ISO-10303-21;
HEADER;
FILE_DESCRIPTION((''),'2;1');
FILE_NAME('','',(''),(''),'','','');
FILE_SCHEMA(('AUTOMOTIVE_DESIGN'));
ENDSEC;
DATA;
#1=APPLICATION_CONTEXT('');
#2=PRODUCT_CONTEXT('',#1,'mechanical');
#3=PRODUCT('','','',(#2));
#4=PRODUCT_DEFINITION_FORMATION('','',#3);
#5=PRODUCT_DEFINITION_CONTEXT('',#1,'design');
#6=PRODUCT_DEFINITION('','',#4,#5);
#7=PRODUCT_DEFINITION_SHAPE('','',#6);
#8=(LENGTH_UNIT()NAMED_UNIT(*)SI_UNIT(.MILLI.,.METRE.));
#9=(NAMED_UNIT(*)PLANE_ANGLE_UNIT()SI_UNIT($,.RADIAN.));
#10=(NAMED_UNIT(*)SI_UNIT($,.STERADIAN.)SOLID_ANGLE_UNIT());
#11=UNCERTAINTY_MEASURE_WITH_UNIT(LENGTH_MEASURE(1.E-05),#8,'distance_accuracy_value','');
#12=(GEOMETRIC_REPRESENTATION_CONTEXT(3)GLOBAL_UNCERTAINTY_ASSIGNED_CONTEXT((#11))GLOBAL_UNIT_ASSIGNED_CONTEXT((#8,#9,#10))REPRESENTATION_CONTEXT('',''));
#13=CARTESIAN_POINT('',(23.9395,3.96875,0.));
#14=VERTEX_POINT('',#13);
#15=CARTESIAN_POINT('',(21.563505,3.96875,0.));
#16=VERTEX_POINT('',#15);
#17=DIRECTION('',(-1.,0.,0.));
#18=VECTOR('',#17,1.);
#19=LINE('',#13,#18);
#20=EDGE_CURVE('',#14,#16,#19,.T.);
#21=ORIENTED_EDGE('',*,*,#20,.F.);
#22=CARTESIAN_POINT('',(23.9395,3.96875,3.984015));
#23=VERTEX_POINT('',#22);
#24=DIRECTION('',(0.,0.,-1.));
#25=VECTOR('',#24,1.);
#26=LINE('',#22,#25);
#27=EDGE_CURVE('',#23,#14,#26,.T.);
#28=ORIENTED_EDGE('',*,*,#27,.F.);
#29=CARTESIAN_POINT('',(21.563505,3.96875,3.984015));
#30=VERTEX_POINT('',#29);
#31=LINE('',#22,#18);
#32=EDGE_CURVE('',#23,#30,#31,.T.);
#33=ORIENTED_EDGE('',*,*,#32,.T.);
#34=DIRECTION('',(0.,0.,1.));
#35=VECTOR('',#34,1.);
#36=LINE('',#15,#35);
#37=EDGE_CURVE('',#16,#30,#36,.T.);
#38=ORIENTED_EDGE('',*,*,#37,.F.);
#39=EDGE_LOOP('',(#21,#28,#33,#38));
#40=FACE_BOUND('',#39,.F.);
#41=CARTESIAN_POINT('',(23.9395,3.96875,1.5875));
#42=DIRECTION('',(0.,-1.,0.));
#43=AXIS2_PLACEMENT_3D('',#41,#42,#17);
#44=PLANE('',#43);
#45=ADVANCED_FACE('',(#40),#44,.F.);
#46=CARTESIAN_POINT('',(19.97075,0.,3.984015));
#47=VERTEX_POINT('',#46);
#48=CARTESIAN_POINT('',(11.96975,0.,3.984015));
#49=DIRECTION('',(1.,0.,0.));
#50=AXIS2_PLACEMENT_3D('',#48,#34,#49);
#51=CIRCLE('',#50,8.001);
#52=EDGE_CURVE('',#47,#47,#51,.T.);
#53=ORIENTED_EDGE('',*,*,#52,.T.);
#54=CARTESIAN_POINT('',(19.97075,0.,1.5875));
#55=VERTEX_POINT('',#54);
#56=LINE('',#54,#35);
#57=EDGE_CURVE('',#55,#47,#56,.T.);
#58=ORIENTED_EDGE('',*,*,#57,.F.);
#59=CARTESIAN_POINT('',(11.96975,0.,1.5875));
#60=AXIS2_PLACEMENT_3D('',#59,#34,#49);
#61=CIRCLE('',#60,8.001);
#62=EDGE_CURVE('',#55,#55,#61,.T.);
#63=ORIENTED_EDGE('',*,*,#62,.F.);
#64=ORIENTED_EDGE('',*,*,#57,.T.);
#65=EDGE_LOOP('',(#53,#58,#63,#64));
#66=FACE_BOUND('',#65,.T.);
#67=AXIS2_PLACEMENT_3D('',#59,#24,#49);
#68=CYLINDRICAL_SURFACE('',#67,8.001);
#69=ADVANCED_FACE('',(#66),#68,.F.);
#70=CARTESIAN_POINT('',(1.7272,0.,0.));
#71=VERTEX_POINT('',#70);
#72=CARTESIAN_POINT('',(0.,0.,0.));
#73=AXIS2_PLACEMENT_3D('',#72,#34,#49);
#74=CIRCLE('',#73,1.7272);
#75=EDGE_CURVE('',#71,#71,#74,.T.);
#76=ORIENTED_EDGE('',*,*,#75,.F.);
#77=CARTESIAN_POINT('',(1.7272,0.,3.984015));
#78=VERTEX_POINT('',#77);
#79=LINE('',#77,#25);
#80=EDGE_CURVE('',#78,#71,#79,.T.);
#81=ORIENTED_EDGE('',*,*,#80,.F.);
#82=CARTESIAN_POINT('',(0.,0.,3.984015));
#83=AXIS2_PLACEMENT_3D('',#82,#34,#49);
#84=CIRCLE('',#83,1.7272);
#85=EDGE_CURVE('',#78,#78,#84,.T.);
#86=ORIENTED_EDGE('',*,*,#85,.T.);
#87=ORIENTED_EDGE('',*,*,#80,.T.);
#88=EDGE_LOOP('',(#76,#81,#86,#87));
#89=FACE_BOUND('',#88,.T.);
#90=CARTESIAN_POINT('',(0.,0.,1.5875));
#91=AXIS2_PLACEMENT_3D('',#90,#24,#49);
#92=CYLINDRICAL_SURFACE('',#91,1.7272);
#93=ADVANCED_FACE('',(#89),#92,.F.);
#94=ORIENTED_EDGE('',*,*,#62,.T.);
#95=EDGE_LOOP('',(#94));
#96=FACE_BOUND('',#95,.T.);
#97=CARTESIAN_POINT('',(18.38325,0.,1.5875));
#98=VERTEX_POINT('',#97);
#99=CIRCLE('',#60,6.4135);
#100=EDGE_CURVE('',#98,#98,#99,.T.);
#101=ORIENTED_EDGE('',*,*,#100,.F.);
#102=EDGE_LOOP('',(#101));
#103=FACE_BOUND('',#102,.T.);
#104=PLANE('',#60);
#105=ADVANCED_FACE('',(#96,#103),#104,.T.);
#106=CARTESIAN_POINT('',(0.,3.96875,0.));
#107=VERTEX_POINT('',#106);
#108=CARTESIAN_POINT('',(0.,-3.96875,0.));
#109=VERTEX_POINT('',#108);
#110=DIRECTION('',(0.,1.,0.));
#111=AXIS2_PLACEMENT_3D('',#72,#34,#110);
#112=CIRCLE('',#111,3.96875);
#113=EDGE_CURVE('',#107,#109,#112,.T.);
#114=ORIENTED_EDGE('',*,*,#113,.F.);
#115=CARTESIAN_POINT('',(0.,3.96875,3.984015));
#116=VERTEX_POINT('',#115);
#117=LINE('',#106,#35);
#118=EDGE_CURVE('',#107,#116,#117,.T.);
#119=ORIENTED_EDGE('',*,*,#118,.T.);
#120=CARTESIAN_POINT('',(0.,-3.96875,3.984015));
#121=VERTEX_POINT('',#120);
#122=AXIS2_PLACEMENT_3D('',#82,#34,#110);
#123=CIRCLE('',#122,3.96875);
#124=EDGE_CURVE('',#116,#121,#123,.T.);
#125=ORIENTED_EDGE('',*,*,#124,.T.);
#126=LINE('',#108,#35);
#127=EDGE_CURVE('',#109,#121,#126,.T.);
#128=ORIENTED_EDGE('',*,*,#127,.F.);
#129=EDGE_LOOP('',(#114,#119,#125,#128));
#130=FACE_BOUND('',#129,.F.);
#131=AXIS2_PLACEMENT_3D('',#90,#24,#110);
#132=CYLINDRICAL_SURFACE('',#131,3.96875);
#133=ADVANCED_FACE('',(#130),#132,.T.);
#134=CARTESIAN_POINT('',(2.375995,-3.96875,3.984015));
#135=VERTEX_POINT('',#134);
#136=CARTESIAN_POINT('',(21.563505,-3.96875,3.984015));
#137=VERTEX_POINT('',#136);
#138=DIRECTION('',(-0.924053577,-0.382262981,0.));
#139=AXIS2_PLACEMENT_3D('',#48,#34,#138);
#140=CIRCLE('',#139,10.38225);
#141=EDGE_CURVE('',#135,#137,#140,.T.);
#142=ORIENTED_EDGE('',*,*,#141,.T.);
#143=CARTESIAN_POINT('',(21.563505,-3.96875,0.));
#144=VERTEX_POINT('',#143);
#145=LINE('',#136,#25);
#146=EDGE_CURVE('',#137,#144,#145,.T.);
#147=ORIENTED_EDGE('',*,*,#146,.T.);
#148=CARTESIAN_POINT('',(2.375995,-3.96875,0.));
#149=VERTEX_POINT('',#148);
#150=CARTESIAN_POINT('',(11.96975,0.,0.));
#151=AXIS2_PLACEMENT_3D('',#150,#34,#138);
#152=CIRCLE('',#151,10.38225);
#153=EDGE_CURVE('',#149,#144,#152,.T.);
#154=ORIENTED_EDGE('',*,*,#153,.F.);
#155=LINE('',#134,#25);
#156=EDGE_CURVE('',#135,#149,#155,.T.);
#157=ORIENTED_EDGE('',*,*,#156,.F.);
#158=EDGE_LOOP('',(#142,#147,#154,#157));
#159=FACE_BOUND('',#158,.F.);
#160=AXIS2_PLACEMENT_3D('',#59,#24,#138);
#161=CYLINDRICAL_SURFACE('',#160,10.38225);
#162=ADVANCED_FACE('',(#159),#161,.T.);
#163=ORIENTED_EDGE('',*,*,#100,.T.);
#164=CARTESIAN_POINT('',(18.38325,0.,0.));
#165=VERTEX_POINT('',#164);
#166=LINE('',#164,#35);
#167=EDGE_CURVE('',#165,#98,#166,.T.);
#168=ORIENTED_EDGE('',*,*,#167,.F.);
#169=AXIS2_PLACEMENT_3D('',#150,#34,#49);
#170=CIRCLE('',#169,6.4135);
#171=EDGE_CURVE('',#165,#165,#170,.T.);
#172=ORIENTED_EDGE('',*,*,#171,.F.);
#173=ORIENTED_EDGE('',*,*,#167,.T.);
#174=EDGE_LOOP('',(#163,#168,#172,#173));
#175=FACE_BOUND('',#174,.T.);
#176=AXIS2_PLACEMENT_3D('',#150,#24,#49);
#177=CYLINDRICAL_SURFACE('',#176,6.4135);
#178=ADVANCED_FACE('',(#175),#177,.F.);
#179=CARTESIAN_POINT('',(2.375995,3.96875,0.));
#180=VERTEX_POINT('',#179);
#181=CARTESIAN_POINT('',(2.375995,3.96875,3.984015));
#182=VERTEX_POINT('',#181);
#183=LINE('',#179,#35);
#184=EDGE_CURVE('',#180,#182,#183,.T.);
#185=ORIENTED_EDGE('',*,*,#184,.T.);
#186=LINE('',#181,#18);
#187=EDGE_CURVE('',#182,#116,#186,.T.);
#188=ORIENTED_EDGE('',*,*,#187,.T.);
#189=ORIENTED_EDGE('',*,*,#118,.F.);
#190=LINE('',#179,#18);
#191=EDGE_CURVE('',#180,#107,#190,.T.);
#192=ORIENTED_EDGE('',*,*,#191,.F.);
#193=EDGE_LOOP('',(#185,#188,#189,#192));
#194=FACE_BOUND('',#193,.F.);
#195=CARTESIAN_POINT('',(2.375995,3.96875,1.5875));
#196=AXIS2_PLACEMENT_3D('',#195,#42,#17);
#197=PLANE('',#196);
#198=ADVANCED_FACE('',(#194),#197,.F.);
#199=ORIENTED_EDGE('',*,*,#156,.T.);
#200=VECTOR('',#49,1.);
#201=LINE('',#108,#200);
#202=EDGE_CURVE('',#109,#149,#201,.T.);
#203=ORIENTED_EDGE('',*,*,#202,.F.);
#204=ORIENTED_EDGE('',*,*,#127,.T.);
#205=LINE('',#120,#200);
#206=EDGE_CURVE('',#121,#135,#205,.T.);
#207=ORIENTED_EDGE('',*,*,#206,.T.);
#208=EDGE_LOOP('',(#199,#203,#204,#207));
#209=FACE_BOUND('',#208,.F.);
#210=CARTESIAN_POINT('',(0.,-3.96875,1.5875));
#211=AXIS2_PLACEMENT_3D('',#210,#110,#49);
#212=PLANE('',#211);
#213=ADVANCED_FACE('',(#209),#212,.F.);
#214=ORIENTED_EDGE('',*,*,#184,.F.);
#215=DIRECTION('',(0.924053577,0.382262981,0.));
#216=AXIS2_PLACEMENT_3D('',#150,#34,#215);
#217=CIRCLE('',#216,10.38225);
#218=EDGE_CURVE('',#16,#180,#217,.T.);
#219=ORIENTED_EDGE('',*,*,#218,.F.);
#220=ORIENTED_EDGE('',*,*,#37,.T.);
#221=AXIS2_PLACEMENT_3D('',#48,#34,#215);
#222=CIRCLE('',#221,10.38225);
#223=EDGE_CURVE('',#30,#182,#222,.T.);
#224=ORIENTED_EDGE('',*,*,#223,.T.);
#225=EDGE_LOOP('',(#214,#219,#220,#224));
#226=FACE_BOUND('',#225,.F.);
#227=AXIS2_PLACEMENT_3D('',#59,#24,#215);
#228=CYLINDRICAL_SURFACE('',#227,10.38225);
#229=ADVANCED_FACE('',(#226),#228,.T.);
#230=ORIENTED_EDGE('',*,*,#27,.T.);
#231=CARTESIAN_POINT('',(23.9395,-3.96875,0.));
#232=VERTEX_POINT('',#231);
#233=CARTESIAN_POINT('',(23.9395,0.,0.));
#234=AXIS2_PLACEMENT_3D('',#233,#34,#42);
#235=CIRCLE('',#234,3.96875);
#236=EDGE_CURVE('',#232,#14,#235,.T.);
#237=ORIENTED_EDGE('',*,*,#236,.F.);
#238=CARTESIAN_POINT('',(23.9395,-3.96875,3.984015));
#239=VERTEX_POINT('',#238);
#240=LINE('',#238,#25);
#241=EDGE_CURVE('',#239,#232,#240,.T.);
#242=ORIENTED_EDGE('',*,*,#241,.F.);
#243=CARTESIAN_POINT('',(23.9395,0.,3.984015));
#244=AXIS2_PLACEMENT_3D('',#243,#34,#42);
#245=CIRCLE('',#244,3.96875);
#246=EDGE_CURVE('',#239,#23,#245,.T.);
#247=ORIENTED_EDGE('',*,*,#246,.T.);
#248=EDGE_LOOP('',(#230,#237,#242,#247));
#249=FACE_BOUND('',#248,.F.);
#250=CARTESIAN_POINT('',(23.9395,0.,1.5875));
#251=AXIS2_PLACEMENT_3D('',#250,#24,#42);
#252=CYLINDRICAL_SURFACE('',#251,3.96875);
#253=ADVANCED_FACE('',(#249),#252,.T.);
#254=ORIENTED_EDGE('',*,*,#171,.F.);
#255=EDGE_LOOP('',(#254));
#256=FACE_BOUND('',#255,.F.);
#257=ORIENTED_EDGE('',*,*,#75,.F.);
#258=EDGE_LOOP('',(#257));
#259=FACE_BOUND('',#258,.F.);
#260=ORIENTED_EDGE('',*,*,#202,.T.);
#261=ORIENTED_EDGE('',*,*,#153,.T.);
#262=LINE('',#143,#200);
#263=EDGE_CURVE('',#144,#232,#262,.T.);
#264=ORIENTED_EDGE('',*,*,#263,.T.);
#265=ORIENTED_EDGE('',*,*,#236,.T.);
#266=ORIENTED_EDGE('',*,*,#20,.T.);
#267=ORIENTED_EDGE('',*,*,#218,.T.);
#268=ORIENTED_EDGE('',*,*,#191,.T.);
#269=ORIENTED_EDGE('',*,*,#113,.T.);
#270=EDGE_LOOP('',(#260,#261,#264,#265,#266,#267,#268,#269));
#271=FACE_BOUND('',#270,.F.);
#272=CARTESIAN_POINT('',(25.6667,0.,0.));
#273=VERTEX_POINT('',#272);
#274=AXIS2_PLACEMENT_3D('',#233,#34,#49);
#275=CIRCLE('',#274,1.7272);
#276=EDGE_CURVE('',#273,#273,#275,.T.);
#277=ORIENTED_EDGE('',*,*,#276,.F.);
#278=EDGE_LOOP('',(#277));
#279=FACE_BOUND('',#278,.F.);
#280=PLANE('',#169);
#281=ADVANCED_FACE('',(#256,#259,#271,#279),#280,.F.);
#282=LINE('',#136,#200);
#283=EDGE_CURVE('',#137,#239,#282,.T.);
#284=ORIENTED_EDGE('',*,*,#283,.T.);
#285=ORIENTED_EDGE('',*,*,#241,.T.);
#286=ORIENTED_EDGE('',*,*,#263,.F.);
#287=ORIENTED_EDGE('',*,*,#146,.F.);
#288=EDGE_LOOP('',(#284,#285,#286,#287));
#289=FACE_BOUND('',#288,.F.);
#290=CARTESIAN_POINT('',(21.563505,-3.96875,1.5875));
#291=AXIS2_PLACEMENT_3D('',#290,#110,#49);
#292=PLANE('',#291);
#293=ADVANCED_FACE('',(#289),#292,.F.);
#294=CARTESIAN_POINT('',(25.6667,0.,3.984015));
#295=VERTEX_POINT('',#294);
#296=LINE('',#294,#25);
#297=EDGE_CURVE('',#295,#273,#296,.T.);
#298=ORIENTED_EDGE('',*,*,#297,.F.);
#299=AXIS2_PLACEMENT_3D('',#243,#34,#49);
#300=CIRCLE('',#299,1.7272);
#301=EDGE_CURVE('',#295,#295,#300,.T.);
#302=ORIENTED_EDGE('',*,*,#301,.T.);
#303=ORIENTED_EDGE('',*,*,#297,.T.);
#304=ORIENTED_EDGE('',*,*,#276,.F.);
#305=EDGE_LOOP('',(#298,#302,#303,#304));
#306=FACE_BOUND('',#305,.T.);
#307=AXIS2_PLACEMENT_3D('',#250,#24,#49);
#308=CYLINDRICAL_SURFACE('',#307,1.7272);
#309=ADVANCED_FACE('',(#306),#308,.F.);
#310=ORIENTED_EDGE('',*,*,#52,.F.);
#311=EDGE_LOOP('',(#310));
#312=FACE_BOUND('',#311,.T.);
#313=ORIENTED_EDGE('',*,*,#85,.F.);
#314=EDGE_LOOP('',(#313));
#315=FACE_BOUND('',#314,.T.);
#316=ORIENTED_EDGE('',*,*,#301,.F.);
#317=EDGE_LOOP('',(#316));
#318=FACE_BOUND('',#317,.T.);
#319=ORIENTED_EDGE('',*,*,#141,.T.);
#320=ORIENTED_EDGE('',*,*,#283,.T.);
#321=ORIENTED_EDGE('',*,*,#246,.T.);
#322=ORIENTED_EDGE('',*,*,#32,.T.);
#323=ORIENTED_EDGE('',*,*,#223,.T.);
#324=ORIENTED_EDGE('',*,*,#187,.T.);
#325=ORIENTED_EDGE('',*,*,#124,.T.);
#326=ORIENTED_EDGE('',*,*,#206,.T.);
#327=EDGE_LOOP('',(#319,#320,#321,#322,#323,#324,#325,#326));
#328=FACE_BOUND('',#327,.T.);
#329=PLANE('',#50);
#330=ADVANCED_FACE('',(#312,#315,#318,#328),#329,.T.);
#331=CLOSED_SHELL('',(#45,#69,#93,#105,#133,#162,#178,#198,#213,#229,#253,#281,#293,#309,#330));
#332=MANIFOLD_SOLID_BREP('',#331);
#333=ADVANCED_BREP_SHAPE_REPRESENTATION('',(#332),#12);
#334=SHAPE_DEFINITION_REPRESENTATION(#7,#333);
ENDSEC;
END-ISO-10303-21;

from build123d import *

# Parameters (mm, degrees)
F0_R     = 1.7272
F0_R_2   = 6.4135
F1_DEPTH = 1.5875
F2_R     = 1.7272
F2_R_2   = 8.001
F3_DEPTH = 2.396515


with BuildPart() as f1:
    # F0 (on Top) → F1 (new body)
    with BuildSketch(Plane.XY):
        with BuildLine():
            Line((2.375995, 3.96875), (0, 3.96875))
            ThreePointArc((0, 3.96875), (-3.96875, 0), (0, -3.96875))
            Line((0, -3.96875), (2.375995, -3.96875))
            ThreePointArc((2.375995, -3.96875), (11.96975, -10.38225), (21.563505, -3.96875))
            Line((21.563505, -3.96875), (23.9395, -3.96875))
            ThreePointArc((23.9395, -3.96875), (27.90825, 0), (23.9395, 3.96875))
            Line((23.9395, 3.96875), (21.563505, 3.96875))
            ThreePointArc((21.563505, 3.96875), (11.96975, 10.38225), (2.375995, 3.96875))
        make_face()
        Circle(F0_R, mode=Mode.SUBTRACT)
        with Locations((11.96975, 0)):
            Circle(F0_R_2, mode=Mode.SUBTRACT)
        with Locations((23.9395, 0)):
            Circle(F0_R, mode=Mode.SUBTRACT)
    extrude(amount=F1_DEPTH)

    # F2 (on face) → F3 (join)
    with BuildSketch(Plane.XY.offset(1.5875)):
        with BuildLine():
            Line((23.9395, 3.96875), (21.563505, 3.96875))
            ThreePointArc((21.563505, 3.96875), (11.96975, 10.38225), (2.375995, 3.96875))
            Line((2.375995, 3.96875), (0, 3.96875))
            ThreePointArc((0, 3.96875), (-3.96875, 0), (0, -3.96875))
            Line((0, -3.96875), (2.375995, -3.96875))
            ThreePointArc((2.375995, -3.96875), (11.96975, -10.38225), (21.563505, -3.96875))
            Line((21.563505, -3.96875), (23.9395, -3.96875))
            ThreePointArc((23.9395, -3.96875), (27.90825, 0), (23.9395, 3.96875))
        make_face()
        Circle(F2_R, mode=Mode.SUBTRACT)
        with Locations((11.96975, 0)):
            Circle(F2_R_2, mode=Mode.SUBTRACT)
        with Locations((23.9395, 0)):
            Circle(F2_R, mode=Mode.SUBTRACT)
    extrude(amount=F3_DEPTH)


solid = f1.part
